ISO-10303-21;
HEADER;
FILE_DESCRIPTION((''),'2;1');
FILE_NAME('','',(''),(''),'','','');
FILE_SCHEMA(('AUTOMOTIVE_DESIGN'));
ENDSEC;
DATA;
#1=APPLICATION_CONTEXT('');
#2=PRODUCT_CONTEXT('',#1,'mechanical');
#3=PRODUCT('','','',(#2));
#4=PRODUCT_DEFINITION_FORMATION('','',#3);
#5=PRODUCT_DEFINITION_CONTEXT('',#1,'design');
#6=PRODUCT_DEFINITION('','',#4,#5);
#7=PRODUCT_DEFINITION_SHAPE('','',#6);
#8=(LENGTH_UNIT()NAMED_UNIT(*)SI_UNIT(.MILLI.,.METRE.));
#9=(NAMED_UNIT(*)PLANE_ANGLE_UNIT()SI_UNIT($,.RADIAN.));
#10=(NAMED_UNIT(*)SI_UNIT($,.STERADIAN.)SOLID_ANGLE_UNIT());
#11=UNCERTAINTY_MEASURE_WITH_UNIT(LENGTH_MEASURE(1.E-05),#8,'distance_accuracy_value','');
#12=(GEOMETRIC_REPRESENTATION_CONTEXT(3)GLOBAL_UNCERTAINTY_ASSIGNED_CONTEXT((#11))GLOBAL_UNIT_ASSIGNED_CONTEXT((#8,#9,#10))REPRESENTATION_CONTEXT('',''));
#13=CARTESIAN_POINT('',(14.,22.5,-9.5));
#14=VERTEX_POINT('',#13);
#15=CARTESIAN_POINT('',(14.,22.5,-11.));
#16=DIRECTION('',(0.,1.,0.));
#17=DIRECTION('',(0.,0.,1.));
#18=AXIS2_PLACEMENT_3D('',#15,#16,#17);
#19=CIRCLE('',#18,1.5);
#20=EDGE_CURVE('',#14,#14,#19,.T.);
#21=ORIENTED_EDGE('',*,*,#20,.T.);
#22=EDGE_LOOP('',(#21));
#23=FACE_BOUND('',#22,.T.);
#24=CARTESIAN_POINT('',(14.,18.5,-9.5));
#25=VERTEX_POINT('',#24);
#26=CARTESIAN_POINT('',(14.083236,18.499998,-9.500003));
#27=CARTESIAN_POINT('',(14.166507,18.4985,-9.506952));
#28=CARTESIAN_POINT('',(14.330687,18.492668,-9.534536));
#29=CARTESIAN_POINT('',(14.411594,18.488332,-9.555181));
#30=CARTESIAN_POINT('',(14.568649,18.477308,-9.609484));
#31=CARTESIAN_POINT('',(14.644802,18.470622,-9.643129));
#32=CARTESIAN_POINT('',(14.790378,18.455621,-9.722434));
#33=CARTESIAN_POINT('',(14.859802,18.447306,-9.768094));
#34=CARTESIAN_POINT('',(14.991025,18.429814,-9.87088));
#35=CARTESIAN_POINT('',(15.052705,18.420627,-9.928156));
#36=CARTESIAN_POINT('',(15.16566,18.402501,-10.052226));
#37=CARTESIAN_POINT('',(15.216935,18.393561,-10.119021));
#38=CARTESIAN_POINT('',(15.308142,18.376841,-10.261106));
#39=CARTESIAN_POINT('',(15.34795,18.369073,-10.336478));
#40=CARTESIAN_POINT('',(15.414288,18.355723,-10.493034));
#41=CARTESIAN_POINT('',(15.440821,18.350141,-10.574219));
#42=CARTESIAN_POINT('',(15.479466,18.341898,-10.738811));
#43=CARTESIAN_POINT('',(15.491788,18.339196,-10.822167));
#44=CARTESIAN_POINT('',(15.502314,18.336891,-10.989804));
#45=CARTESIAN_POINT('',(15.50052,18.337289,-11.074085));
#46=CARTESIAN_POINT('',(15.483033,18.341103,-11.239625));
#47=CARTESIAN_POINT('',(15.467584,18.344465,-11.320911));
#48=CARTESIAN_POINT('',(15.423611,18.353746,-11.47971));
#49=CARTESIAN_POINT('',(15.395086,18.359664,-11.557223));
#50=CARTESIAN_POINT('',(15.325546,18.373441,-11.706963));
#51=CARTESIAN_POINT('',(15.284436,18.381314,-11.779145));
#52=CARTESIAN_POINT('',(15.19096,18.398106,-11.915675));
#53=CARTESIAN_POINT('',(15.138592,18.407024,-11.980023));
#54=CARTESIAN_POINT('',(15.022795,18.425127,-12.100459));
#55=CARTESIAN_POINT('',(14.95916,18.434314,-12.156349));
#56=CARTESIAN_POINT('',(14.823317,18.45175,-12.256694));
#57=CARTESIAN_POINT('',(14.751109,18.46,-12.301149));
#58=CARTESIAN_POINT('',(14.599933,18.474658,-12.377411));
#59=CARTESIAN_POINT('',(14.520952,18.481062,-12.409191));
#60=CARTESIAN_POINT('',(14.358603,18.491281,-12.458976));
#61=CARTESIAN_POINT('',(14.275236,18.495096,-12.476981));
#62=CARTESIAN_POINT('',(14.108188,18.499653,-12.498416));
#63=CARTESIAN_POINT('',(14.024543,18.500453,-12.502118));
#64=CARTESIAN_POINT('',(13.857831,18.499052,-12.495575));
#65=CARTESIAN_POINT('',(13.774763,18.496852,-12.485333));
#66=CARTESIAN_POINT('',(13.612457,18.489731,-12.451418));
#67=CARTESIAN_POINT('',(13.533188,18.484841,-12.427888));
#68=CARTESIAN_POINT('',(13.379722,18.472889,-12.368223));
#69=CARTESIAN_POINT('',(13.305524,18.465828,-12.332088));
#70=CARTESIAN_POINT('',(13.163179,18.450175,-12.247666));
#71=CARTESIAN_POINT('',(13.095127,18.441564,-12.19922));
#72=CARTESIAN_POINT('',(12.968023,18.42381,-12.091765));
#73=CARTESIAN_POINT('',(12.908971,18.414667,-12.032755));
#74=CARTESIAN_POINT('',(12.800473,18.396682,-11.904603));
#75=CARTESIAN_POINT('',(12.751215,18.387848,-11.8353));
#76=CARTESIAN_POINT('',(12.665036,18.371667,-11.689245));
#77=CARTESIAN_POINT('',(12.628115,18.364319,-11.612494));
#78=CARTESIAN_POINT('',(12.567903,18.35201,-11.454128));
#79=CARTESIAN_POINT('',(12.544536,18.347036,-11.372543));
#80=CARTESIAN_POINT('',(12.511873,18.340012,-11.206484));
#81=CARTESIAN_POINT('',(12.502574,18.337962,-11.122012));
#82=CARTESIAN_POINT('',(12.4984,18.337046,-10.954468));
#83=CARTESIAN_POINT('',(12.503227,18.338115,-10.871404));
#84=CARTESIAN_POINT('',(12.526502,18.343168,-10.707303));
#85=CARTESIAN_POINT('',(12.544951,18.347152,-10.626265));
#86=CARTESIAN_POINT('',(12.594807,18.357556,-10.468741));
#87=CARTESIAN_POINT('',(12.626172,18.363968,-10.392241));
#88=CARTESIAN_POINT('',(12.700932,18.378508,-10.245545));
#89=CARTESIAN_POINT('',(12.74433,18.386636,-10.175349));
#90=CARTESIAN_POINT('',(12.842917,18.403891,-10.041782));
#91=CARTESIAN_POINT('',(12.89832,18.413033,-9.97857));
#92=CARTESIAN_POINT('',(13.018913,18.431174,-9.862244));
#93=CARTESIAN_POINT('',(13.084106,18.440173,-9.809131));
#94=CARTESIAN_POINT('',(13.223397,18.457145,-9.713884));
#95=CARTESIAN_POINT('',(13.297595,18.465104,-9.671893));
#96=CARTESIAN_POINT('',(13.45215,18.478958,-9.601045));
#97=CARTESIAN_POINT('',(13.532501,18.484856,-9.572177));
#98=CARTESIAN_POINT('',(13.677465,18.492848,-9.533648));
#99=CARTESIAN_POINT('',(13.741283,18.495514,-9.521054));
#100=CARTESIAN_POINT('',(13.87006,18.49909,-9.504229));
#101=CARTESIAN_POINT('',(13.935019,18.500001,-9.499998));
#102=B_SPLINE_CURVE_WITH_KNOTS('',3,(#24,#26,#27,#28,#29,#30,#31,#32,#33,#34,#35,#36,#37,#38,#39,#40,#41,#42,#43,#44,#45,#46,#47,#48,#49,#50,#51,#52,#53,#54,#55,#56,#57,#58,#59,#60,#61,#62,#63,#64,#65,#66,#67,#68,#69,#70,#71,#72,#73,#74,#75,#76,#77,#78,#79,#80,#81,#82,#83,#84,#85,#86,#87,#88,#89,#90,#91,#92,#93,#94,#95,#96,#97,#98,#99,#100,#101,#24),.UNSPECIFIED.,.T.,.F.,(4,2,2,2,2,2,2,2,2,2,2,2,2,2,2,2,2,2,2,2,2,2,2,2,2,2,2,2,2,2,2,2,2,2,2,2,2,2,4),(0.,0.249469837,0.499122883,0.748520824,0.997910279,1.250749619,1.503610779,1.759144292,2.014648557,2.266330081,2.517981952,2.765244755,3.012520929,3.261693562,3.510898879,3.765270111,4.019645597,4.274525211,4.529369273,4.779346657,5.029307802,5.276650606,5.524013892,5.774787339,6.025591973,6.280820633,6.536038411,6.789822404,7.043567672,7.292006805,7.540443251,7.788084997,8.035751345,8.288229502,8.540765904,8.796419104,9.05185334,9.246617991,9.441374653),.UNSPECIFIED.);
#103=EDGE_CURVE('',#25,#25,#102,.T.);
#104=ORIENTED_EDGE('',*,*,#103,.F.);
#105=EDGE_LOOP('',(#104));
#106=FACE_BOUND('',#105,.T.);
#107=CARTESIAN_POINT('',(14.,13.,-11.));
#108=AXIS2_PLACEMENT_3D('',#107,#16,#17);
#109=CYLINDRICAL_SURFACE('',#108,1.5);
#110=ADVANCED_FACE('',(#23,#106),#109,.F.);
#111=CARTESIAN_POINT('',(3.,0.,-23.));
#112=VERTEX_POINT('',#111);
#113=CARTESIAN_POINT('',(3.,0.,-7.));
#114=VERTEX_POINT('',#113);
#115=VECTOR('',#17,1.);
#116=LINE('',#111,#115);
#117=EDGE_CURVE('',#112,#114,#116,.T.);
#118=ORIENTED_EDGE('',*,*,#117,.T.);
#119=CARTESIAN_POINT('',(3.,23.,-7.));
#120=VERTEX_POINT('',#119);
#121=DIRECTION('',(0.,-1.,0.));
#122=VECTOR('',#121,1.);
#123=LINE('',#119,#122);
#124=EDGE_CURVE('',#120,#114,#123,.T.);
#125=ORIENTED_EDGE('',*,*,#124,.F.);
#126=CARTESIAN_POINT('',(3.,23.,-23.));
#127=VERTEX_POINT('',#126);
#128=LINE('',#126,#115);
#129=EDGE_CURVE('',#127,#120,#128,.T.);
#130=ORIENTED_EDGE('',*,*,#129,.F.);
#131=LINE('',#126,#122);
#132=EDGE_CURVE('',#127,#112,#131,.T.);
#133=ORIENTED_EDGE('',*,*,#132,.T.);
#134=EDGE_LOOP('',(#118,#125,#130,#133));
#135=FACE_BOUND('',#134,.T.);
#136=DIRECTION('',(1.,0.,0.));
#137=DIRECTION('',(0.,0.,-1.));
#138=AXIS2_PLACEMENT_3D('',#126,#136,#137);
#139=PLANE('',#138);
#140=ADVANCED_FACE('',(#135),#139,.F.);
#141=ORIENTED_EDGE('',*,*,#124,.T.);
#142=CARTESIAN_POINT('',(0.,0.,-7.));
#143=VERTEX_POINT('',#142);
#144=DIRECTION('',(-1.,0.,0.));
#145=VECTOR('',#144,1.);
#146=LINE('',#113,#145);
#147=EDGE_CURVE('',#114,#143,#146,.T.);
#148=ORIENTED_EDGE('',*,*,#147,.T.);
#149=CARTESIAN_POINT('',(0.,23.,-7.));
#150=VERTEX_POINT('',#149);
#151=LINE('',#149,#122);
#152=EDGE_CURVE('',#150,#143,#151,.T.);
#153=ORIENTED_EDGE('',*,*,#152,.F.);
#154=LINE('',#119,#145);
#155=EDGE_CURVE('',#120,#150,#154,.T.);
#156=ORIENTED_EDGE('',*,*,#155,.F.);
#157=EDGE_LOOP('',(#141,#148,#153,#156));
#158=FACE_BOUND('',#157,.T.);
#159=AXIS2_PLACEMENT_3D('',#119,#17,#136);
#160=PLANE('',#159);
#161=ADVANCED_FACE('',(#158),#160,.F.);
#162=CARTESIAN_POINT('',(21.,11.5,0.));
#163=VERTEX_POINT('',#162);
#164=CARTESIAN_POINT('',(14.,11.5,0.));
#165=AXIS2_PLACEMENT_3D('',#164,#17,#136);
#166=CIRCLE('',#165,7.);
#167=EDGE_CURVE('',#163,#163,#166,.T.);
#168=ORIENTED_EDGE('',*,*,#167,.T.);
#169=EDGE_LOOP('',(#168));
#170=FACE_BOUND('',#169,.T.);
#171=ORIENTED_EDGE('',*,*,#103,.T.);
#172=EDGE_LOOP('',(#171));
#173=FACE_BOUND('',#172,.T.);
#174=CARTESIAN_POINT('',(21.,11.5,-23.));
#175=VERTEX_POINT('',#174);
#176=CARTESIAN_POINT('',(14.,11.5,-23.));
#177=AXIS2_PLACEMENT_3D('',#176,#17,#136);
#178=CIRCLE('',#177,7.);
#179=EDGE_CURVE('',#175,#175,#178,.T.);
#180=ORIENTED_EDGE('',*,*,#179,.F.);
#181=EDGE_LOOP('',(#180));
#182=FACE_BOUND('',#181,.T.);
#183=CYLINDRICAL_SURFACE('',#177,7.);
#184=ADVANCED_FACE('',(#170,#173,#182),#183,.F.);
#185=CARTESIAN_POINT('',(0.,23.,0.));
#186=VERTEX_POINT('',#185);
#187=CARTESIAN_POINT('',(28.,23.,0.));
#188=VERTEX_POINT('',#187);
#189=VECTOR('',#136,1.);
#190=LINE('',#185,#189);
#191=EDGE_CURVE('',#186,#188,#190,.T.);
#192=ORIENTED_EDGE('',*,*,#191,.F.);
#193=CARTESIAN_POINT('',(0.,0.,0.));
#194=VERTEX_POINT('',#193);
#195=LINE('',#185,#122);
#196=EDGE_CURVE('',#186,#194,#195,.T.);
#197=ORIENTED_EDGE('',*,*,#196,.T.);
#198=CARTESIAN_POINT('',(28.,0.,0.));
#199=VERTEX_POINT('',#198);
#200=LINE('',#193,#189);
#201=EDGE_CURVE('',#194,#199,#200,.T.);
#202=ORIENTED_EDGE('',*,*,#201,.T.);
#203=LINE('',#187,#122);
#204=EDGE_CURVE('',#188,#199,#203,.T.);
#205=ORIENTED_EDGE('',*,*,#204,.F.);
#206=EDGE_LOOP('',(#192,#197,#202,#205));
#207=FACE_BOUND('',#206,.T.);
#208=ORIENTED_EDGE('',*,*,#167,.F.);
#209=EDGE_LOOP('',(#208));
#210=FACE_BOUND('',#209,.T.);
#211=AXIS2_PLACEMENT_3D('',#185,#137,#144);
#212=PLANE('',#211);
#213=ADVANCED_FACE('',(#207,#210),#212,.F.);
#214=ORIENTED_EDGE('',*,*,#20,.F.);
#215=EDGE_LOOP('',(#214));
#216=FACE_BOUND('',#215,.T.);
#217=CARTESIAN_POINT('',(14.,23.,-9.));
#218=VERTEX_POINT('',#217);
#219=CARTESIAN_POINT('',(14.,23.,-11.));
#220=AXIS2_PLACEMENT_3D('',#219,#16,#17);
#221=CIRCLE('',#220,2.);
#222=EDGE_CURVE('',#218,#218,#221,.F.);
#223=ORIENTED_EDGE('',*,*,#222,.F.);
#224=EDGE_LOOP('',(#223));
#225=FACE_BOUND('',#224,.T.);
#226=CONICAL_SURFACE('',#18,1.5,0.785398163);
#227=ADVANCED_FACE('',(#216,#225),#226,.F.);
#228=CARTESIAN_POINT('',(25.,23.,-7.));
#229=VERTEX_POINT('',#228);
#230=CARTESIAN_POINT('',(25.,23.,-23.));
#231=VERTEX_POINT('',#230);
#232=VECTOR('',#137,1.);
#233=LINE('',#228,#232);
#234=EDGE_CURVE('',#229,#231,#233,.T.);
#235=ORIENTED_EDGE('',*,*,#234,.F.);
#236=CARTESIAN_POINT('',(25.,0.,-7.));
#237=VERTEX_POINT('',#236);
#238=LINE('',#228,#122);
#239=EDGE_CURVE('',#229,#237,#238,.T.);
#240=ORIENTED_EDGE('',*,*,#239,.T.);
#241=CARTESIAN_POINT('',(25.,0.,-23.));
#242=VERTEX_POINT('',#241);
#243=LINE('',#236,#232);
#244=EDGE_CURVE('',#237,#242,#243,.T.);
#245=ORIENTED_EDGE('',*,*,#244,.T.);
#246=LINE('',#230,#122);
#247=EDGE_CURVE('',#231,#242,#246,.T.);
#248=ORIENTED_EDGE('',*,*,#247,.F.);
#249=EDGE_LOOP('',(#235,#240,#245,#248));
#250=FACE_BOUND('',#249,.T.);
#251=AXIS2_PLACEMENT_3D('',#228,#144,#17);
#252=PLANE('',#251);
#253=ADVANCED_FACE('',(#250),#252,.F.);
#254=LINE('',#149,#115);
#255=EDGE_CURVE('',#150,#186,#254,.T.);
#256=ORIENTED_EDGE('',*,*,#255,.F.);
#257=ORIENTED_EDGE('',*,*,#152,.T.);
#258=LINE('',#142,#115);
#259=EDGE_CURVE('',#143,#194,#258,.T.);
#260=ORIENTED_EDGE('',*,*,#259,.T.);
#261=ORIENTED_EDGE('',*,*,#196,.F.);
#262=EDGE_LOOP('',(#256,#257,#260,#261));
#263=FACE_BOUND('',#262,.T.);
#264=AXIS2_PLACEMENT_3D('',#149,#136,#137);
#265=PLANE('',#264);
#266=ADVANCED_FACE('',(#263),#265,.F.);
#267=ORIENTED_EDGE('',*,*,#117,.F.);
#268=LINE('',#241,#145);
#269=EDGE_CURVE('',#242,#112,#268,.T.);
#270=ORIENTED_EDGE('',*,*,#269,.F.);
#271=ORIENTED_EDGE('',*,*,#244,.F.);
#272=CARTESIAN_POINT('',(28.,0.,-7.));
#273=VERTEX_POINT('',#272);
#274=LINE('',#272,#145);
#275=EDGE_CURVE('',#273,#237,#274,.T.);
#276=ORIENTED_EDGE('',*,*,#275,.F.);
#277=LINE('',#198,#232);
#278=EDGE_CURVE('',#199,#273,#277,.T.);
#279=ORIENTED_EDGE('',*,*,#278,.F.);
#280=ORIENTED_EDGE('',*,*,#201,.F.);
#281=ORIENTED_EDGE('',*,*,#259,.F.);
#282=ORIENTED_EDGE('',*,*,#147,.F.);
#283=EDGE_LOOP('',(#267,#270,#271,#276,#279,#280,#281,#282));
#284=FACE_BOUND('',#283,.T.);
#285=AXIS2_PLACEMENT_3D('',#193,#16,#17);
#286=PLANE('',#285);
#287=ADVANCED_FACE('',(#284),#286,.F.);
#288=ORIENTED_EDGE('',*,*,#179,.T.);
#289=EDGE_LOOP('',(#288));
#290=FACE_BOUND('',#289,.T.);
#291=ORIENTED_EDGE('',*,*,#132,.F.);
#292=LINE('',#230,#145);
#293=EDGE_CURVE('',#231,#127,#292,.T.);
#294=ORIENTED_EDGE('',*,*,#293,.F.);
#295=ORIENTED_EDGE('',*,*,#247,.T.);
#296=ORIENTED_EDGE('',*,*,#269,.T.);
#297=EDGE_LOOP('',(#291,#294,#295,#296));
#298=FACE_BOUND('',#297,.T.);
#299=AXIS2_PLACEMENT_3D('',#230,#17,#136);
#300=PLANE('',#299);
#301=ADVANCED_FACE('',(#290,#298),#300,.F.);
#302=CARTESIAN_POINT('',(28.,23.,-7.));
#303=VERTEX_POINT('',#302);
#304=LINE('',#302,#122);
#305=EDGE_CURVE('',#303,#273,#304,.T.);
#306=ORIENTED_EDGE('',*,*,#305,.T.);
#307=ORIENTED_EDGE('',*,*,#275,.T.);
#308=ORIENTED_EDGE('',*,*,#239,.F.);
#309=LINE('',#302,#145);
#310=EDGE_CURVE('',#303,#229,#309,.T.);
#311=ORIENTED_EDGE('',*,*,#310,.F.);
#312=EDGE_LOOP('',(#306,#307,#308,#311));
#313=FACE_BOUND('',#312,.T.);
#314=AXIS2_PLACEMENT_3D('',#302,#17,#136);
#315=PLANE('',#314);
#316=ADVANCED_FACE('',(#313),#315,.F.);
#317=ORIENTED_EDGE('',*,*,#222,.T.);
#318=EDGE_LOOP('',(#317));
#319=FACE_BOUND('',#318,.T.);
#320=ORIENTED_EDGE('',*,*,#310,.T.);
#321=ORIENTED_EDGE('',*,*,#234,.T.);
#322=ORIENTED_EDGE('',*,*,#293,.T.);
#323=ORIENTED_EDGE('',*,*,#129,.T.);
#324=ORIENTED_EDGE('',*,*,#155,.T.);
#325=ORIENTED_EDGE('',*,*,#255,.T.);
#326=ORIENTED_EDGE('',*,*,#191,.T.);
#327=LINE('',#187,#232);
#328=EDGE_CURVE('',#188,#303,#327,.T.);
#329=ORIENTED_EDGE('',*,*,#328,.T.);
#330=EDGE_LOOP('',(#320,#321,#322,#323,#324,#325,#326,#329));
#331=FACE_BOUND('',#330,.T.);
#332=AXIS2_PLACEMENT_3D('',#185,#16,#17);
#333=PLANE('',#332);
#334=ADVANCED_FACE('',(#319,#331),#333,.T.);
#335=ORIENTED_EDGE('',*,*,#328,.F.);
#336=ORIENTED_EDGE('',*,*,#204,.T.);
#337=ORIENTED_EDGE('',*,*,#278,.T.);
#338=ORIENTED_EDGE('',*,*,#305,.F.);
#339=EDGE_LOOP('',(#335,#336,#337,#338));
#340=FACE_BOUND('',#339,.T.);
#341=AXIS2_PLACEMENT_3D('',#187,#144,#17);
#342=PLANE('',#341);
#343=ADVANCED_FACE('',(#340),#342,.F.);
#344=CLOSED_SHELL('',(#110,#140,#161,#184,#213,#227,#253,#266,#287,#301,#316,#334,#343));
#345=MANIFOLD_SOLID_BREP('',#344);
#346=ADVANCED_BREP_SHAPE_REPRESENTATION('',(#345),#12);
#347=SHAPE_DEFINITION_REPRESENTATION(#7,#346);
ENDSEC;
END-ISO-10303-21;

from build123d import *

# Parameters (mm, degrees)
BOSS_EXTRUDE1_DEPTH = 23
SKETCH2_R           = 7
CUT_EXTRUDE1_DEPTH  = 43.918527468
SKETCH3_R           = 1.5
CUT_EXTRUDE2_DEPTH  = 10
CHAMFER1_SIZE       = 0.5


with BuildPart() as part:
    # Sketch1 → Boss-Extrude1 (new body)
    with BuildSketch(Plane(origin=(0, 0, 0), x_dir=(1, 0, 0), z_dir=(0, 1, 0))):
        Polygon((0, 0), (28, 0), (28, 7), (25, 7), (25, 23), (3, 23), (3, 7), (0, 7), align=None)
    extrude(amount=BOSS_EXTRUDE1_DEPTH)

    # Sketch2 → Cut-Extrude1 (cut, through all)
    with BuildSketch(Plane.XY):
        with Locations((14, 11.5)):
            Circle(SKETCH2_R)
    extrude(amount=-CUT_EXTRUDE1_DEPTH, mode=Mode.SUBTRACT)

    # Sketch3 → Cut-Extrude2 (cut)
    with BuildSketch(Plane(origin=(0, 23, 0), x_dir=(1, 0, 0), z_dir=(0, 1, 0))):
        with Locations(Location((14, 11, 0), (0, 0, 270))):
            Circle(SKETCH3_R)
    extrude(amount=-CUT_EXTRUDE2_DEPTH, mode=Mode.SUBTRACT)

    # Chamfer1
    chamfer1_edges = [part.edges().sort_by_distance(p)[0] for p in [
        (14, 23, -12.5),
    ]]
    chamfer(chamfer1_edges, length=CHAMFER1_SIZE)


solid = part.part
